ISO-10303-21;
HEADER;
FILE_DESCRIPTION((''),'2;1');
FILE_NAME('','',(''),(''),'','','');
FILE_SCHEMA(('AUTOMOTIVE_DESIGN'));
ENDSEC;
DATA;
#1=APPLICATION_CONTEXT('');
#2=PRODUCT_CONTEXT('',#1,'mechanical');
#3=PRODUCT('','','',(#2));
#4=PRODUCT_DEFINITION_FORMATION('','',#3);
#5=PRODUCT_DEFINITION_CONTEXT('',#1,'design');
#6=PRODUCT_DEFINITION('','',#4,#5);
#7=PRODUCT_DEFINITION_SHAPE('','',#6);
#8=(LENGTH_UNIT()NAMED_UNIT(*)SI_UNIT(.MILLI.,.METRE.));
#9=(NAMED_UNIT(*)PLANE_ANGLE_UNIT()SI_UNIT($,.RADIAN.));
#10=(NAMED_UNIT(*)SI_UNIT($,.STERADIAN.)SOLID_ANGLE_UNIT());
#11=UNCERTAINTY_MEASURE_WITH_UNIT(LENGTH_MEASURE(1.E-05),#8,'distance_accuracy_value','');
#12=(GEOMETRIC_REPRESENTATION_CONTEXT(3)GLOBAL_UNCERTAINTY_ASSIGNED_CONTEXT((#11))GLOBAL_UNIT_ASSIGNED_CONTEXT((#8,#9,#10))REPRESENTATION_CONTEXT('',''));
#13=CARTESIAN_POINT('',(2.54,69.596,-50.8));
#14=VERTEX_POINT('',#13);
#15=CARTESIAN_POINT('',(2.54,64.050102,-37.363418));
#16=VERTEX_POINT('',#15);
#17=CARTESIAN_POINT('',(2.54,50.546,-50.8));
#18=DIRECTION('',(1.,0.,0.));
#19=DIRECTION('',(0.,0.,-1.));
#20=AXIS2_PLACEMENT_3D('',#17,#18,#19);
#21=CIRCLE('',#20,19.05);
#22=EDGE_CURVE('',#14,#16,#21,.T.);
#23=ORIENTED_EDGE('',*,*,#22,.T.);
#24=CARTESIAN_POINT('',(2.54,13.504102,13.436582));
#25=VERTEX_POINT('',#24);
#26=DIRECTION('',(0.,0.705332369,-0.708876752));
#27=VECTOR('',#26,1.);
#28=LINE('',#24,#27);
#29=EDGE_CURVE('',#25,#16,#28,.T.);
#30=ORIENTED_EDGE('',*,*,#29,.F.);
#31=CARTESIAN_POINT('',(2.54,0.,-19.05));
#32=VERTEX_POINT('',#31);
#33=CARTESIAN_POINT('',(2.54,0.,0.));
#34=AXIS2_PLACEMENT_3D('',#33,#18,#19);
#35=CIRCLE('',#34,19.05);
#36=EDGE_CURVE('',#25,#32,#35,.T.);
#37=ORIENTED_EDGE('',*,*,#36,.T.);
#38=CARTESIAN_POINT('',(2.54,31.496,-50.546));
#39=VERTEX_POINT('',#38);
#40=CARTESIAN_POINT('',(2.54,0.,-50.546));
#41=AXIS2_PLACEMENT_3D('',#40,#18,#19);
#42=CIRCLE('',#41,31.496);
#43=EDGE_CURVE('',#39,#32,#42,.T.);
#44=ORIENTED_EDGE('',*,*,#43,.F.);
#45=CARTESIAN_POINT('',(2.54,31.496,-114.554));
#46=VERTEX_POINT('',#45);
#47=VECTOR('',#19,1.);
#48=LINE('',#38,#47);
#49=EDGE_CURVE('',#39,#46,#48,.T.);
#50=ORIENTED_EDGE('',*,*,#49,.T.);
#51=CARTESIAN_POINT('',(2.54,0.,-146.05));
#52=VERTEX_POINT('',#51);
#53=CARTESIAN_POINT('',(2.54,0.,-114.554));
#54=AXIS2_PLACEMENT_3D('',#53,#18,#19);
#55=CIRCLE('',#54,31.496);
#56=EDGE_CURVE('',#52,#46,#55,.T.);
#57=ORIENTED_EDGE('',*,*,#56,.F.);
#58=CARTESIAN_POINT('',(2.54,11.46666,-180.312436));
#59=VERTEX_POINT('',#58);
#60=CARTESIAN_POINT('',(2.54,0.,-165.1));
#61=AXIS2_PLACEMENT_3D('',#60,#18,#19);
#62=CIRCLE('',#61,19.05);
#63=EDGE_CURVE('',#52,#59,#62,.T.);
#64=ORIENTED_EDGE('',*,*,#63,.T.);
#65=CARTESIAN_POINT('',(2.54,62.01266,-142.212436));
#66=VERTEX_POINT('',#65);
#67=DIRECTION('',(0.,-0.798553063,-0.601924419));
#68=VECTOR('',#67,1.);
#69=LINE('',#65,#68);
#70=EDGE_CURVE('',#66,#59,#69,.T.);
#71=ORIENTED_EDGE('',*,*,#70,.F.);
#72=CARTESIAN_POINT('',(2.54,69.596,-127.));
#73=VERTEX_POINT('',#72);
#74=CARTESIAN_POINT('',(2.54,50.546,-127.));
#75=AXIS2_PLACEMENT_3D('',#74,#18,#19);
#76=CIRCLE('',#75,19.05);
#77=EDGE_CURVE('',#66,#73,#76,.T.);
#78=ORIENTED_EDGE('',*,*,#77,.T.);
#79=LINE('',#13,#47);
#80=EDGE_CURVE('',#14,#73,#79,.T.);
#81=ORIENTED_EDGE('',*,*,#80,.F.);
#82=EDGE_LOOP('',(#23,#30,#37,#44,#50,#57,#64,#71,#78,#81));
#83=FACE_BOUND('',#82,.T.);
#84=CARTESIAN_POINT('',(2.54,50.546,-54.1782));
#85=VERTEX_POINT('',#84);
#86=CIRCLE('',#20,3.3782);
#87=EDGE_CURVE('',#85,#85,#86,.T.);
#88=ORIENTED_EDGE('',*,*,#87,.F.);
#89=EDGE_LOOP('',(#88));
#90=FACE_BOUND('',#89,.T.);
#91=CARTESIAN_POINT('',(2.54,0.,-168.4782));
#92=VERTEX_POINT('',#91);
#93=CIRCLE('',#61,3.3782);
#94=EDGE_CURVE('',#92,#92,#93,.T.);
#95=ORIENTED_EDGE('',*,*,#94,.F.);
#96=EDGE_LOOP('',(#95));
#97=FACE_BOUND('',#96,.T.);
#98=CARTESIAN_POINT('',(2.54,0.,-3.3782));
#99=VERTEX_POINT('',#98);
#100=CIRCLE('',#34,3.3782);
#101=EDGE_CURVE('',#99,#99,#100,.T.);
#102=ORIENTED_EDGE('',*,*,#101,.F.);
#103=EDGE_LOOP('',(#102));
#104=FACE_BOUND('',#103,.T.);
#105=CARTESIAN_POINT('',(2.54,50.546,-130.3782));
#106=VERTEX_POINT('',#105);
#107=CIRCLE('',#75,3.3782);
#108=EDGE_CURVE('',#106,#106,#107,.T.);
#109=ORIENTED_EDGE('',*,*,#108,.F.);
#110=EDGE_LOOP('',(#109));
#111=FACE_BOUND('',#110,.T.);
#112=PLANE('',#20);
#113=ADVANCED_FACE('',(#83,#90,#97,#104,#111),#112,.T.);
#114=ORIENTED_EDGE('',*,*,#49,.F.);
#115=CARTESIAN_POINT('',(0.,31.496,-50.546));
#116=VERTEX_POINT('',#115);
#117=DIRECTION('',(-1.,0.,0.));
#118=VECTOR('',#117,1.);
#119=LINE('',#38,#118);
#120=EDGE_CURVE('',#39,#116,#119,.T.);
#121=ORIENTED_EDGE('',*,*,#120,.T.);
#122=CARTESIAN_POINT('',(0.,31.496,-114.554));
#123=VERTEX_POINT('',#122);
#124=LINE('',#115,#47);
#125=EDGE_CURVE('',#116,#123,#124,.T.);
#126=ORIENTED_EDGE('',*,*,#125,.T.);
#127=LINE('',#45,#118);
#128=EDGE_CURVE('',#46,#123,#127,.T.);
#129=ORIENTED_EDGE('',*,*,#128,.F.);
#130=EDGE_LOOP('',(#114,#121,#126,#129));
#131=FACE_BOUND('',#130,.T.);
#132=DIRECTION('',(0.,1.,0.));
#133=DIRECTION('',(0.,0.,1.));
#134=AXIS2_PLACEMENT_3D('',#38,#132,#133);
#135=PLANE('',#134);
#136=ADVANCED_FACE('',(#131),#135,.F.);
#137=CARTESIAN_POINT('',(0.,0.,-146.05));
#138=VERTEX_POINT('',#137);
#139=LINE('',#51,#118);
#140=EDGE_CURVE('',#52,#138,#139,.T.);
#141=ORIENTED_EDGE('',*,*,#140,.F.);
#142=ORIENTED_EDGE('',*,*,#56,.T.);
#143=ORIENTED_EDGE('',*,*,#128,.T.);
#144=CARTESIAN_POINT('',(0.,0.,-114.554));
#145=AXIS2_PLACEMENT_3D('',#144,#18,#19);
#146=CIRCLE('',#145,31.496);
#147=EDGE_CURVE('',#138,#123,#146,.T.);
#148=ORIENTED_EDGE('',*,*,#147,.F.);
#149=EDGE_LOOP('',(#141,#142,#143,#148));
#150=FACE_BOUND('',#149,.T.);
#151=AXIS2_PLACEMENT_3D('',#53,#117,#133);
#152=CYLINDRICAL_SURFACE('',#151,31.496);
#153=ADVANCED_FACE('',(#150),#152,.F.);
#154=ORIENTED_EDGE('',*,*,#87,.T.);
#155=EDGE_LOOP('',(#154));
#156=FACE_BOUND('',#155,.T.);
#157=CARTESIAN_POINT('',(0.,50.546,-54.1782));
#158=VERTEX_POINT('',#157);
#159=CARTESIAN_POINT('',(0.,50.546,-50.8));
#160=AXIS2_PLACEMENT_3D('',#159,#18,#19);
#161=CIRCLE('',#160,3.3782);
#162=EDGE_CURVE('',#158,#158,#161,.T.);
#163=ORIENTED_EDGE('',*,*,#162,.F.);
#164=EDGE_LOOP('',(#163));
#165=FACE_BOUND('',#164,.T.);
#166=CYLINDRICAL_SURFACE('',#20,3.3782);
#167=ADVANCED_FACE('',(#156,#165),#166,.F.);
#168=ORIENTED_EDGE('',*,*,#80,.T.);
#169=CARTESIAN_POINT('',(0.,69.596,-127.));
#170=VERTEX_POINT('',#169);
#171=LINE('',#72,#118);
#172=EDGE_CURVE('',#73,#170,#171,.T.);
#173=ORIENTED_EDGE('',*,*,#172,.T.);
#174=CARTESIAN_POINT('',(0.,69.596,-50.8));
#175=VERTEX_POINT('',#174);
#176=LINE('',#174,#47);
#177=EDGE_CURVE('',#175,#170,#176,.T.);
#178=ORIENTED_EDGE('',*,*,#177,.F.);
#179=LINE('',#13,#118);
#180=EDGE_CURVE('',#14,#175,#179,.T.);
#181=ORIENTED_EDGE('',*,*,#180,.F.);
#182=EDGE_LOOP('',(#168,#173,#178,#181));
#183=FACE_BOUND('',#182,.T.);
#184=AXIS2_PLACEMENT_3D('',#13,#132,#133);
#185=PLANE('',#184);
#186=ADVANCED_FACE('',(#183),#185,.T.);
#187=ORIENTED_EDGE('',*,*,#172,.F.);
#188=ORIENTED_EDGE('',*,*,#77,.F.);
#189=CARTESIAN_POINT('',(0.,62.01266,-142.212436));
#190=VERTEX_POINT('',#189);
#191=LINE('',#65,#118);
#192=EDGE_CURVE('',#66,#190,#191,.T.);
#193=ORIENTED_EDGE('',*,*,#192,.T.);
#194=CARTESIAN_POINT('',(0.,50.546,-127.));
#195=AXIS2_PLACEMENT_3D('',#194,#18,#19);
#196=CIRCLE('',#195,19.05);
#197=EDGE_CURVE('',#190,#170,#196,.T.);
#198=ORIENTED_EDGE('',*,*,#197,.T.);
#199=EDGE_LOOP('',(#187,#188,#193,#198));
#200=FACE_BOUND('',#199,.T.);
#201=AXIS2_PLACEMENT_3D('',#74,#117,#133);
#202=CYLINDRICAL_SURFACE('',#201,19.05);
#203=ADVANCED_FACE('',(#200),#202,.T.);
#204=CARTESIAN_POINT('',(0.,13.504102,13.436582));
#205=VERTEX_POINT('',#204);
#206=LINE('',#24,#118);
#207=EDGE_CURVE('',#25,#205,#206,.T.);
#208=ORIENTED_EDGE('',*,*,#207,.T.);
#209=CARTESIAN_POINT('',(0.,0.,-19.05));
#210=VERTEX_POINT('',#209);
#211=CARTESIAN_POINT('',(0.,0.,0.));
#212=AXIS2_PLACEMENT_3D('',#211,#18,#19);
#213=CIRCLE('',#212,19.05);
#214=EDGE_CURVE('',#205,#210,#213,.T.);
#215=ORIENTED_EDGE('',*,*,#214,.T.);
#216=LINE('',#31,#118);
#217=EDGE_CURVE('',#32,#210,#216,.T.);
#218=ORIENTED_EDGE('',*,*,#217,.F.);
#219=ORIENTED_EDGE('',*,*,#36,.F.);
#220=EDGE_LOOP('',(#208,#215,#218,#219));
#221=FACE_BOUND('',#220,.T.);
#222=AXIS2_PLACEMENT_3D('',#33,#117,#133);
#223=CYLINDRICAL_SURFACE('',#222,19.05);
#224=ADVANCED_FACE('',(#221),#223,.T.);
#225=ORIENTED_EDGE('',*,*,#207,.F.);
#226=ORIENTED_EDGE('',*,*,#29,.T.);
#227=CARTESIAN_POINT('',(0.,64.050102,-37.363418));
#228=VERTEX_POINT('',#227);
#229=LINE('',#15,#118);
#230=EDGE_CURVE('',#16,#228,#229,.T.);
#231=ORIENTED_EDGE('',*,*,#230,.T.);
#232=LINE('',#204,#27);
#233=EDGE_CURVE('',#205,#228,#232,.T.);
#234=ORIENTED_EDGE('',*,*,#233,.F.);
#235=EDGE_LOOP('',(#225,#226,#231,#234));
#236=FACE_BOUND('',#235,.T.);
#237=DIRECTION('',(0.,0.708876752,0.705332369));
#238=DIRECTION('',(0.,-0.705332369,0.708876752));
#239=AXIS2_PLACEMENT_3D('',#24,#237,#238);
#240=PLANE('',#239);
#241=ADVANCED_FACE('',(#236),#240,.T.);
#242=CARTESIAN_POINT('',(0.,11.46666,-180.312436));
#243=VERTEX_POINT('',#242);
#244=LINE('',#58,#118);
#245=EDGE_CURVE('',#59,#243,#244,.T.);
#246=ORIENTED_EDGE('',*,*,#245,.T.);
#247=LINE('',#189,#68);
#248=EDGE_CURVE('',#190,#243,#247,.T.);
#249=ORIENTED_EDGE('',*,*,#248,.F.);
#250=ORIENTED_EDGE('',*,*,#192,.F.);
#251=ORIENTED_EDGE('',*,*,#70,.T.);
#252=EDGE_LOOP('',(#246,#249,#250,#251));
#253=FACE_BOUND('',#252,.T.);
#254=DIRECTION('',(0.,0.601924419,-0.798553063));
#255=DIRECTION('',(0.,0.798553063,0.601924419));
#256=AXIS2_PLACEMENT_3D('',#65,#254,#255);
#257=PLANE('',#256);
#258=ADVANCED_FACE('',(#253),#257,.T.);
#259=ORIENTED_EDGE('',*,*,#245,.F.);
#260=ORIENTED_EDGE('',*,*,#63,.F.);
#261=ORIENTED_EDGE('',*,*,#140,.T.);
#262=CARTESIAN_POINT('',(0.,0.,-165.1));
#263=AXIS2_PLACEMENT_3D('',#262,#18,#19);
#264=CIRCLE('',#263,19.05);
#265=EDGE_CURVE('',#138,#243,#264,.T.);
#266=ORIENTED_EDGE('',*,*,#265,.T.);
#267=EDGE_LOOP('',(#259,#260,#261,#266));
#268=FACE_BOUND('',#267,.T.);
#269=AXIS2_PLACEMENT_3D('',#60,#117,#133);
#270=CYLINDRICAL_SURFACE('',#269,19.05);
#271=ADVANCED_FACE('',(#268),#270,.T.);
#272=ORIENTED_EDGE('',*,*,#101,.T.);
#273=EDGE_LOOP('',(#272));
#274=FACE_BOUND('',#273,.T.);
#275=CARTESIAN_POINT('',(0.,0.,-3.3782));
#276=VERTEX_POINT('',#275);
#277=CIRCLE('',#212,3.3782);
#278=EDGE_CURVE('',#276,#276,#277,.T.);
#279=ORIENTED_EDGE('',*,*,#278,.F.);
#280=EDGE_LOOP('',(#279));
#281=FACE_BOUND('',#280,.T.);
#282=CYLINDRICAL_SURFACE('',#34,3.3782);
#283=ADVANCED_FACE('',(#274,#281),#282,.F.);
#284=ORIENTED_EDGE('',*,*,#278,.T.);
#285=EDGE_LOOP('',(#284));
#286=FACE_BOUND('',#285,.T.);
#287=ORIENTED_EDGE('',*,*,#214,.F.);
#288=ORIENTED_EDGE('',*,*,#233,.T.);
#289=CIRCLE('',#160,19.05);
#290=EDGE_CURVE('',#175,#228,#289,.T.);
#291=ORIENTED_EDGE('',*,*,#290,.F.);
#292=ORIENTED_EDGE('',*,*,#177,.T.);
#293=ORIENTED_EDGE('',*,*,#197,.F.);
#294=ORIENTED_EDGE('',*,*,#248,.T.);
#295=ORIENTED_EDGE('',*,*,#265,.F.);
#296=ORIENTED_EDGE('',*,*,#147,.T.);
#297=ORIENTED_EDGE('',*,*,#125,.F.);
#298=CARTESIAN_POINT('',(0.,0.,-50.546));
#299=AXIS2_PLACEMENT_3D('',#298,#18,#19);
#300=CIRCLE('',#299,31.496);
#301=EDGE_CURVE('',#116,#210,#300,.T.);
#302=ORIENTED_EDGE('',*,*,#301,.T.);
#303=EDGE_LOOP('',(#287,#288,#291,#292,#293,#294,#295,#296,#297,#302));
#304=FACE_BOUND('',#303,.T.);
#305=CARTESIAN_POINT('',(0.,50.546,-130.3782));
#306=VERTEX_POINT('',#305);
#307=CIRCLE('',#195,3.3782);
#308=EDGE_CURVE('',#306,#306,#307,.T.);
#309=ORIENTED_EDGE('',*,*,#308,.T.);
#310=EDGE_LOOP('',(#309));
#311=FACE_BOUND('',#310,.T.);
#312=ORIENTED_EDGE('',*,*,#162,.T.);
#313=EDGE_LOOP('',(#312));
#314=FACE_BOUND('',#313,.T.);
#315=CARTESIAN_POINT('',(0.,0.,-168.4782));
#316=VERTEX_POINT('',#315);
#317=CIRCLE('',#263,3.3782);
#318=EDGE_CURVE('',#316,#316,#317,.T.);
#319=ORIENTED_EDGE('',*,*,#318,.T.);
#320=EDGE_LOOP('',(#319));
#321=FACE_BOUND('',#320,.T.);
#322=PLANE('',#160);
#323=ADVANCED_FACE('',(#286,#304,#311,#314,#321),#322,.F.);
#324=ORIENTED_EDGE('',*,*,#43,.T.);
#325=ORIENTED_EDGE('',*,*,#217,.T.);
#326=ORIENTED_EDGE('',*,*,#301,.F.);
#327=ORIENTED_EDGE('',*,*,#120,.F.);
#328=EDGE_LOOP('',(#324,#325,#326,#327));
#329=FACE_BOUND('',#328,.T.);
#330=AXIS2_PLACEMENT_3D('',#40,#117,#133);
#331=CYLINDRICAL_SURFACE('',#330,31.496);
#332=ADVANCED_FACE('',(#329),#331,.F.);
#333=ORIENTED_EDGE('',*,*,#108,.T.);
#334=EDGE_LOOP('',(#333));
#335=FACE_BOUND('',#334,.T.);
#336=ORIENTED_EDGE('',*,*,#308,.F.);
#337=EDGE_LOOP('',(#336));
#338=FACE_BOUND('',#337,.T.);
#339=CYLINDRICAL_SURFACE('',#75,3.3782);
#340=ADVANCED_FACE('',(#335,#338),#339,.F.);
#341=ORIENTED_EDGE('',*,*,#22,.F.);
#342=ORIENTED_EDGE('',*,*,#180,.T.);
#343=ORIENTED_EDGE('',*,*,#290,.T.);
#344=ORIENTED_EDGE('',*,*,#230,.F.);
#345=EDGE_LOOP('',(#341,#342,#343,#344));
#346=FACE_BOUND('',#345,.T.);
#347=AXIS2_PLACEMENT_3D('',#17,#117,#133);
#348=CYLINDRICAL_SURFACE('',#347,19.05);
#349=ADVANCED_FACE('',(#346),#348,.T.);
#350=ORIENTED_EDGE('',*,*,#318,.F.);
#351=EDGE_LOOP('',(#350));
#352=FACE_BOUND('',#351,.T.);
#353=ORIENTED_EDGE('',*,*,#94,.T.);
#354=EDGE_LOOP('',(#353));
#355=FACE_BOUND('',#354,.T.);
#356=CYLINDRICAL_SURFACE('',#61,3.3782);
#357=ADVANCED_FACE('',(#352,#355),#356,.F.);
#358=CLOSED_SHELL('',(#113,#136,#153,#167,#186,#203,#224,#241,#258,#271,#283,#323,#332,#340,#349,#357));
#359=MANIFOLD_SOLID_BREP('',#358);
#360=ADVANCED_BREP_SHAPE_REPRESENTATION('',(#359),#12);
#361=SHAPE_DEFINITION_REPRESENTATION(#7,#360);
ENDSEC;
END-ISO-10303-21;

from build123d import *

# Parameters (mm, degrees)
BOSS_EXTRUDE1_DEPTH     = 2.54
F_1_4_CLEARANCE_HOLE1_D = 6.7564


with BuildPart() as part:
    # Sketch1 → Boss-Extrude1 (new body)
    with BuildSketch(Plane(origin=(0, 0, 0), x_dir=(0, 0, -1), z_dir=(1, 0, 0))):
        with BuildLine():
            Line((-13.43658162, 13.504102131), (37.36341838, 64.050102131))
            ThreePointArc((37.36341838, 64.050102131), (43.531941304, 68.155026742), (50.8, 69.596))
            Line((50.8, 69.596), (127, 69.596))
            ThreePointArc((127, 69.596), (135.498900621, 67.595081742), (142.212435842, 62.012660183))
            Line((142.212435842, 62.012660183), (180.312435842, 11.466660183))
            ThreePointArc((180.312435842, 11.466660183), (171.145891051, -18.065151574), (146.05, 0))
            ThreePointArc((146.05, 0), (136.82503518, 22.27103518), (114.554, 31.496))
            Line((114.554, 31.496), (50.546, 31.496))
            ThreePointArc((50.546, 31.496), (28.27496482, 22.27103518), (19.05, 0))
            ThreePointArc((19.05, 0), (-7.31216863, -17.590755809), (-13.43658162, 13.504102131))
        make_face()
    extrude(amount=BOSS_EXTRUDE1_DEPTH)

    # 1/4 Clearance Hole1 (through all)
    with Locations(Plane(origin=(2.54, 0, 0), x_dir=(0, 0, -1), z_dir=(1, 0, 0))):
        with Locations((50.8, 50.546), (127, 50.546), (165.1, 0), (0, 0)):
            Hole(F_1_4_CLEARANCE_HOLE1_D / 2)


solid = part.part
